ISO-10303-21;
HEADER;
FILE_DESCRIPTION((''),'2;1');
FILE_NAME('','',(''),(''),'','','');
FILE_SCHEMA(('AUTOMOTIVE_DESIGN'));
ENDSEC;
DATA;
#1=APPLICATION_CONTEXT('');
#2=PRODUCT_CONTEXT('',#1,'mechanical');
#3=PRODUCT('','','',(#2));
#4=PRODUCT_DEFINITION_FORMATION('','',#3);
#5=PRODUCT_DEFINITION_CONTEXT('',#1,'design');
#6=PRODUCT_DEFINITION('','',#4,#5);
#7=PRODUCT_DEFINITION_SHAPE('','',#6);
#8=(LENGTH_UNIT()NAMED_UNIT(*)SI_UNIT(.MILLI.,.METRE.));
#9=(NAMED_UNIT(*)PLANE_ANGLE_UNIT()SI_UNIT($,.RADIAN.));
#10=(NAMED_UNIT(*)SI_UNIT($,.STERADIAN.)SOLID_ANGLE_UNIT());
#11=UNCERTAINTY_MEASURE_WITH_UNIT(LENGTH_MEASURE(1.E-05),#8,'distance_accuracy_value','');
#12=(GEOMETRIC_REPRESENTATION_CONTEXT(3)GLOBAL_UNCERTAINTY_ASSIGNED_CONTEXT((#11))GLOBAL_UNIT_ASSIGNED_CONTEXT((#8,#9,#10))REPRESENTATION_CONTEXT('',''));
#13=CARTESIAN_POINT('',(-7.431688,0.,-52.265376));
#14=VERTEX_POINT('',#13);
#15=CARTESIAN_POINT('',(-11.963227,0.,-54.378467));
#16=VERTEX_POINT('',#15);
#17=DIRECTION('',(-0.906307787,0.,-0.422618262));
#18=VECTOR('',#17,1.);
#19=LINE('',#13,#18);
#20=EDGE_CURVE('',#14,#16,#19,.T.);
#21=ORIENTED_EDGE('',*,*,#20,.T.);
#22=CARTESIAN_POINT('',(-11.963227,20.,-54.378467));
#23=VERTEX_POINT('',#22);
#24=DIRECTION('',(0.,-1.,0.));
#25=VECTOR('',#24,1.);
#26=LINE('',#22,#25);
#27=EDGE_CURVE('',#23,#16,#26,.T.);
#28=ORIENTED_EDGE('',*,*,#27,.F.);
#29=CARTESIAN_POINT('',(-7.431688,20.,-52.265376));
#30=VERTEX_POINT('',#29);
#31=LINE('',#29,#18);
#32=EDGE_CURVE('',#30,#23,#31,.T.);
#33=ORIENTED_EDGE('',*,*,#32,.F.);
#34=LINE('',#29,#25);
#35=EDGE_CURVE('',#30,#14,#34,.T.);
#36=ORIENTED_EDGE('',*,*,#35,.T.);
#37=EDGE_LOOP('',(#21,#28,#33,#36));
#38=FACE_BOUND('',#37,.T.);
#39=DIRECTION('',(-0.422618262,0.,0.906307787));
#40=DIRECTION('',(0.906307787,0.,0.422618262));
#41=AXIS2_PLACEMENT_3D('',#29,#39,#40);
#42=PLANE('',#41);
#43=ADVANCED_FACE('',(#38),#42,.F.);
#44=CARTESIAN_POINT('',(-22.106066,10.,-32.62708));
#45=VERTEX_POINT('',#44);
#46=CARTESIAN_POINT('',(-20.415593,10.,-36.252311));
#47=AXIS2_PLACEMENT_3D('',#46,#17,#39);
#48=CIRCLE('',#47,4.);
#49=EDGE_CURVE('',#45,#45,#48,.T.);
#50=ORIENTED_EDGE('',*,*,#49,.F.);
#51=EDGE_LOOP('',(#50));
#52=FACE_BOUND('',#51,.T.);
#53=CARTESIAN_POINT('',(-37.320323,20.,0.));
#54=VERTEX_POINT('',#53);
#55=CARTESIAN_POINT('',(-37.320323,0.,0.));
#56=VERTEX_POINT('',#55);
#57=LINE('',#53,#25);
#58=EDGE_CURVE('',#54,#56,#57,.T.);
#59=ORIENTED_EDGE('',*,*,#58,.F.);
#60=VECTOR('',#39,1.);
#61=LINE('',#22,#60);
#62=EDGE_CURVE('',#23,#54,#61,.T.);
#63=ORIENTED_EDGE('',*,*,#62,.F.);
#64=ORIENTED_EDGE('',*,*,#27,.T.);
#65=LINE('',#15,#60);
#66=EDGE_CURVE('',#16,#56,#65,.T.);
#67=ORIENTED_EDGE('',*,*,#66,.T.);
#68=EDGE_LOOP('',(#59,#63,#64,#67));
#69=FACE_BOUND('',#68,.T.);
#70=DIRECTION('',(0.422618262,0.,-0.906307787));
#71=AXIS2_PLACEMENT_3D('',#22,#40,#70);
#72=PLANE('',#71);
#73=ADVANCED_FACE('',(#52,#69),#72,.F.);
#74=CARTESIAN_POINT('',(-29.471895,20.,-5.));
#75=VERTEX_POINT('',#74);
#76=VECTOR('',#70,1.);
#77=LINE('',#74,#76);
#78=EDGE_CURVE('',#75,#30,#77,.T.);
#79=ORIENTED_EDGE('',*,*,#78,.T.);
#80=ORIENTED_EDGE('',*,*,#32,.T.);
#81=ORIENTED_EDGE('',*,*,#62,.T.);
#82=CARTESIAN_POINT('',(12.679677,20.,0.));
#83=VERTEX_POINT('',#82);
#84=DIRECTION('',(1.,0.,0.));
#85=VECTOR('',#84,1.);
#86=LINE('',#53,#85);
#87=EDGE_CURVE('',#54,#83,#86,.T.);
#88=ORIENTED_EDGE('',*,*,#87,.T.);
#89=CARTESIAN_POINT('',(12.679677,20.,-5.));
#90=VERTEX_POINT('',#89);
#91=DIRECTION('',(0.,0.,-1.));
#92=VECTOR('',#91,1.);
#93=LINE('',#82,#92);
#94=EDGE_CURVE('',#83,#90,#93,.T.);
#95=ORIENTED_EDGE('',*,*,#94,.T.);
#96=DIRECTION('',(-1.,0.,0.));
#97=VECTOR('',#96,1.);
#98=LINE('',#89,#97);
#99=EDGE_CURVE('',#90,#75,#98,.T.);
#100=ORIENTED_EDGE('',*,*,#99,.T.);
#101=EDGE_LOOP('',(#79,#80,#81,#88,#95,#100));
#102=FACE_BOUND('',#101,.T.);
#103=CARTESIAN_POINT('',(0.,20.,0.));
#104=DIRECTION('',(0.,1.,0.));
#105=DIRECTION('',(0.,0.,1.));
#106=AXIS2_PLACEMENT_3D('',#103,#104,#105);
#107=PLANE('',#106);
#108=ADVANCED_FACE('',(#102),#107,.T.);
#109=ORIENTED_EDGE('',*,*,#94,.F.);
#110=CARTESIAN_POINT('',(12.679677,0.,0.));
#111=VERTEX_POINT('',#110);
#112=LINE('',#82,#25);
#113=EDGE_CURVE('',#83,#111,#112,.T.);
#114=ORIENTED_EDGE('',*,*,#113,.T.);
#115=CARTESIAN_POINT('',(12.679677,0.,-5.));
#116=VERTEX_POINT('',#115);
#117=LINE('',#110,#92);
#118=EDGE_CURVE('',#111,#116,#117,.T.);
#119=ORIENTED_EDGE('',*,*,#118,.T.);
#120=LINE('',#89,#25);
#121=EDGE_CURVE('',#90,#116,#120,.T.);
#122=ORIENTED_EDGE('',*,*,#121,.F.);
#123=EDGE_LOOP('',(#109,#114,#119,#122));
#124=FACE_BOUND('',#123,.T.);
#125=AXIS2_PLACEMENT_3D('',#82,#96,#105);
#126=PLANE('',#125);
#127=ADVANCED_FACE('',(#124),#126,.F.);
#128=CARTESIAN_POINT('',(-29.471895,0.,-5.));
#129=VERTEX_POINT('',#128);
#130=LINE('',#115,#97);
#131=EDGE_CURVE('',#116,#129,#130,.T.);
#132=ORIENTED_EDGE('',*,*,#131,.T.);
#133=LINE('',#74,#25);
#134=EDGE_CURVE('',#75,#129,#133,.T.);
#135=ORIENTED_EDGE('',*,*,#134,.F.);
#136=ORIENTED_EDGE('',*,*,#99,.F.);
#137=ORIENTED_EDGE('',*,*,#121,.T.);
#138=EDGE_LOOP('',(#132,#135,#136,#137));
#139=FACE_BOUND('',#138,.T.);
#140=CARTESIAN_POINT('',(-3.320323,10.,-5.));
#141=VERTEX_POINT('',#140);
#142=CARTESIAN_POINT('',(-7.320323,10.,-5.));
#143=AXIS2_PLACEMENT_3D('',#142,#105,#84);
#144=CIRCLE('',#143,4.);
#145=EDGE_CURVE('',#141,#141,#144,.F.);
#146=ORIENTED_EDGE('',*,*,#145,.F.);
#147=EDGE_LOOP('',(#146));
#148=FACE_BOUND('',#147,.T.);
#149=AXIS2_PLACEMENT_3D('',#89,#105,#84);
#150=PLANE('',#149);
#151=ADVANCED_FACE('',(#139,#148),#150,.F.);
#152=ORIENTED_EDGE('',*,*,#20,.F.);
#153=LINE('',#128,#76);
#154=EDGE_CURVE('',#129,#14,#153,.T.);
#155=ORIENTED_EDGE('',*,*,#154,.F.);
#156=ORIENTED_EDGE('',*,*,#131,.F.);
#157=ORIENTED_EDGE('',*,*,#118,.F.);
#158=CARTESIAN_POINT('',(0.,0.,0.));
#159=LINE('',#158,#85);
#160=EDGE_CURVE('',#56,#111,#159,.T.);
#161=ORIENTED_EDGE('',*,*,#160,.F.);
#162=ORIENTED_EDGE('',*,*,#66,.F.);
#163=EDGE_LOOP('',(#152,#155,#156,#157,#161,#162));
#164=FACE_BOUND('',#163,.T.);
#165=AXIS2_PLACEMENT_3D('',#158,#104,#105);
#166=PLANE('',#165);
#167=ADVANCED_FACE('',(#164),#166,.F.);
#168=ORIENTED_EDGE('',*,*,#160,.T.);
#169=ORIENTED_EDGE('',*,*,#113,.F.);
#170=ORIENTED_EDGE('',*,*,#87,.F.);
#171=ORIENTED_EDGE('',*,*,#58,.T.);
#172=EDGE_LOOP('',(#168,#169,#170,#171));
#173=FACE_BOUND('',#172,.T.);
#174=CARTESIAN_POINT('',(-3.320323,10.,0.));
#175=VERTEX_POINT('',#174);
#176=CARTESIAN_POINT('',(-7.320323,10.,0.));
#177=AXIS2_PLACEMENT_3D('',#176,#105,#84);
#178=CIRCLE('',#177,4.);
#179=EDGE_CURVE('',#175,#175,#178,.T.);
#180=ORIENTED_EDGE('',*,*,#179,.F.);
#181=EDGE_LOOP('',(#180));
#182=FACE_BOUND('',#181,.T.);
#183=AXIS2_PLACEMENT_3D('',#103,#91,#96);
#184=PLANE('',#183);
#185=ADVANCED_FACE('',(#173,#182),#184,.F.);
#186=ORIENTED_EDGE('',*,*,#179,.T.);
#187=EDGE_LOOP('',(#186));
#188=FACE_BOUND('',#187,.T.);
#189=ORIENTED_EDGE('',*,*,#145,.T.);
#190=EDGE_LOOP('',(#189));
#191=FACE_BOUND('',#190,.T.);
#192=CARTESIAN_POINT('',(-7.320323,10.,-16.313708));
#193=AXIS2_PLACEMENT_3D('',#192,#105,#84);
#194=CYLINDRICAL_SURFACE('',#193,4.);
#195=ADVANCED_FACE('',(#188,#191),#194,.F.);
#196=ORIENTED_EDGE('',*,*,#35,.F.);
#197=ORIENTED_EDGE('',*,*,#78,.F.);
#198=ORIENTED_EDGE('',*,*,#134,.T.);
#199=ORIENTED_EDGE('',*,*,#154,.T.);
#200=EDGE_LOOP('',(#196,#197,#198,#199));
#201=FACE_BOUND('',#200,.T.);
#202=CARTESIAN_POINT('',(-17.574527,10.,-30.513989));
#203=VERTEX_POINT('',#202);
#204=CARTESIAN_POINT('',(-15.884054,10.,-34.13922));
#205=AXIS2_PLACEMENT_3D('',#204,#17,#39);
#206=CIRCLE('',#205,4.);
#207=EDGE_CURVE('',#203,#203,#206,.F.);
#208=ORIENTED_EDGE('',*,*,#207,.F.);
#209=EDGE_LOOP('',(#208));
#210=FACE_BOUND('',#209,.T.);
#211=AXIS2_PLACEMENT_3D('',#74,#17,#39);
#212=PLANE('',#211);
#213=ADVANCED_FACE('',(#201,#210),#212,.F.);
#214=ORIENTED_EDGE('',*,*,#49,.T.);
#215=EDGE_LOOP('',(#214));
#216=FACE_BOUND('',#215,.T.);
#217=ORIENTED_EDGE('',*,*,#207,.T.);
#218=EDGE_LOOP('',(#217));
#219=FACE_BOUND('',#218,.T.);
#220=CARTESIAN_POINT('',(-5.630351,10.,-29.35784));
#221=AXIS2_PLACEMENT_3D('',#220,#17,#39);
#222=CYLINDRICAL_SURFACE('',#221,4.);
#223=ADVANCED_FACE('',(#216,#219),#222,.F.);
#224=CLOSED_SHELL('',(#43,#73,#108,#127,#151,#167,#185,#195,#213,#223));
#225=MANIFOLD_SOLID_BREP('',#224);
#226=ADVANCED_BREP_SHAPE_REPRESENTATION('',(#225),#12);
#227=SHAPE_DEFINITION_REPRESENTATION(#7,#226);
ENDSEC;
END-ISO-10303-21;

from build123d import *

# Parameters (mm, degrees)
BOSS_EXTRUDE1_DEPTH = 20
SKETCH2_R           = 4
CUT_EXTRUDE2_DEPTH  = 5
SKETCH3_R           = 4
CUT_EXTRUDE3_DEPTH  = 5


with BuildPart() as part:
    # Sketch1 → Boss-Extrude1 (new body)
    with BuildSketch(Plane(origin=(0, 0, 0), x_dir=(1, 0, 0), z_dir=(0, 1, 0))):
        Polygon((0, 0), (12.679677005, 0), (12.679677005, 5), (-29.47189511, 5), (-7.431688356, 52.265375913), (-11.963227291, 54.378467222), (-37.320322995, 0), align=None)
    extrude(amount=BOSS_EXTRUDE1_DEPTH)

    # Sketch2 → Cut-Extrude2 (cut)
    with BuildSketch(Plane(origin=(-30.654682103, 0, -14.294513023), x_dir=(-0.42261826174070366, 0, 0.906307787036648), z_dir=(-0.9063077870366479, 0, -0.4226182617407036))):
        with Locations((-24.227749968, 10)):
            Circle(SKETCH2_R)
    extrude(amount=-CUT_EXTRUDE2_DEPTH, mode=Mode.SUBTRACT)

    # Sketch3 → Cut-Extrude3 (cut)
    with BuildSketch(Plane.XY):
        with Locations((-7.320322995, 10)):
            Circle(SKETCH3_R)
    extrude(amount=-CUT_EXTRUDE3_DEPTH, mode=Mode.SUBTRACT)


solid = part.part
